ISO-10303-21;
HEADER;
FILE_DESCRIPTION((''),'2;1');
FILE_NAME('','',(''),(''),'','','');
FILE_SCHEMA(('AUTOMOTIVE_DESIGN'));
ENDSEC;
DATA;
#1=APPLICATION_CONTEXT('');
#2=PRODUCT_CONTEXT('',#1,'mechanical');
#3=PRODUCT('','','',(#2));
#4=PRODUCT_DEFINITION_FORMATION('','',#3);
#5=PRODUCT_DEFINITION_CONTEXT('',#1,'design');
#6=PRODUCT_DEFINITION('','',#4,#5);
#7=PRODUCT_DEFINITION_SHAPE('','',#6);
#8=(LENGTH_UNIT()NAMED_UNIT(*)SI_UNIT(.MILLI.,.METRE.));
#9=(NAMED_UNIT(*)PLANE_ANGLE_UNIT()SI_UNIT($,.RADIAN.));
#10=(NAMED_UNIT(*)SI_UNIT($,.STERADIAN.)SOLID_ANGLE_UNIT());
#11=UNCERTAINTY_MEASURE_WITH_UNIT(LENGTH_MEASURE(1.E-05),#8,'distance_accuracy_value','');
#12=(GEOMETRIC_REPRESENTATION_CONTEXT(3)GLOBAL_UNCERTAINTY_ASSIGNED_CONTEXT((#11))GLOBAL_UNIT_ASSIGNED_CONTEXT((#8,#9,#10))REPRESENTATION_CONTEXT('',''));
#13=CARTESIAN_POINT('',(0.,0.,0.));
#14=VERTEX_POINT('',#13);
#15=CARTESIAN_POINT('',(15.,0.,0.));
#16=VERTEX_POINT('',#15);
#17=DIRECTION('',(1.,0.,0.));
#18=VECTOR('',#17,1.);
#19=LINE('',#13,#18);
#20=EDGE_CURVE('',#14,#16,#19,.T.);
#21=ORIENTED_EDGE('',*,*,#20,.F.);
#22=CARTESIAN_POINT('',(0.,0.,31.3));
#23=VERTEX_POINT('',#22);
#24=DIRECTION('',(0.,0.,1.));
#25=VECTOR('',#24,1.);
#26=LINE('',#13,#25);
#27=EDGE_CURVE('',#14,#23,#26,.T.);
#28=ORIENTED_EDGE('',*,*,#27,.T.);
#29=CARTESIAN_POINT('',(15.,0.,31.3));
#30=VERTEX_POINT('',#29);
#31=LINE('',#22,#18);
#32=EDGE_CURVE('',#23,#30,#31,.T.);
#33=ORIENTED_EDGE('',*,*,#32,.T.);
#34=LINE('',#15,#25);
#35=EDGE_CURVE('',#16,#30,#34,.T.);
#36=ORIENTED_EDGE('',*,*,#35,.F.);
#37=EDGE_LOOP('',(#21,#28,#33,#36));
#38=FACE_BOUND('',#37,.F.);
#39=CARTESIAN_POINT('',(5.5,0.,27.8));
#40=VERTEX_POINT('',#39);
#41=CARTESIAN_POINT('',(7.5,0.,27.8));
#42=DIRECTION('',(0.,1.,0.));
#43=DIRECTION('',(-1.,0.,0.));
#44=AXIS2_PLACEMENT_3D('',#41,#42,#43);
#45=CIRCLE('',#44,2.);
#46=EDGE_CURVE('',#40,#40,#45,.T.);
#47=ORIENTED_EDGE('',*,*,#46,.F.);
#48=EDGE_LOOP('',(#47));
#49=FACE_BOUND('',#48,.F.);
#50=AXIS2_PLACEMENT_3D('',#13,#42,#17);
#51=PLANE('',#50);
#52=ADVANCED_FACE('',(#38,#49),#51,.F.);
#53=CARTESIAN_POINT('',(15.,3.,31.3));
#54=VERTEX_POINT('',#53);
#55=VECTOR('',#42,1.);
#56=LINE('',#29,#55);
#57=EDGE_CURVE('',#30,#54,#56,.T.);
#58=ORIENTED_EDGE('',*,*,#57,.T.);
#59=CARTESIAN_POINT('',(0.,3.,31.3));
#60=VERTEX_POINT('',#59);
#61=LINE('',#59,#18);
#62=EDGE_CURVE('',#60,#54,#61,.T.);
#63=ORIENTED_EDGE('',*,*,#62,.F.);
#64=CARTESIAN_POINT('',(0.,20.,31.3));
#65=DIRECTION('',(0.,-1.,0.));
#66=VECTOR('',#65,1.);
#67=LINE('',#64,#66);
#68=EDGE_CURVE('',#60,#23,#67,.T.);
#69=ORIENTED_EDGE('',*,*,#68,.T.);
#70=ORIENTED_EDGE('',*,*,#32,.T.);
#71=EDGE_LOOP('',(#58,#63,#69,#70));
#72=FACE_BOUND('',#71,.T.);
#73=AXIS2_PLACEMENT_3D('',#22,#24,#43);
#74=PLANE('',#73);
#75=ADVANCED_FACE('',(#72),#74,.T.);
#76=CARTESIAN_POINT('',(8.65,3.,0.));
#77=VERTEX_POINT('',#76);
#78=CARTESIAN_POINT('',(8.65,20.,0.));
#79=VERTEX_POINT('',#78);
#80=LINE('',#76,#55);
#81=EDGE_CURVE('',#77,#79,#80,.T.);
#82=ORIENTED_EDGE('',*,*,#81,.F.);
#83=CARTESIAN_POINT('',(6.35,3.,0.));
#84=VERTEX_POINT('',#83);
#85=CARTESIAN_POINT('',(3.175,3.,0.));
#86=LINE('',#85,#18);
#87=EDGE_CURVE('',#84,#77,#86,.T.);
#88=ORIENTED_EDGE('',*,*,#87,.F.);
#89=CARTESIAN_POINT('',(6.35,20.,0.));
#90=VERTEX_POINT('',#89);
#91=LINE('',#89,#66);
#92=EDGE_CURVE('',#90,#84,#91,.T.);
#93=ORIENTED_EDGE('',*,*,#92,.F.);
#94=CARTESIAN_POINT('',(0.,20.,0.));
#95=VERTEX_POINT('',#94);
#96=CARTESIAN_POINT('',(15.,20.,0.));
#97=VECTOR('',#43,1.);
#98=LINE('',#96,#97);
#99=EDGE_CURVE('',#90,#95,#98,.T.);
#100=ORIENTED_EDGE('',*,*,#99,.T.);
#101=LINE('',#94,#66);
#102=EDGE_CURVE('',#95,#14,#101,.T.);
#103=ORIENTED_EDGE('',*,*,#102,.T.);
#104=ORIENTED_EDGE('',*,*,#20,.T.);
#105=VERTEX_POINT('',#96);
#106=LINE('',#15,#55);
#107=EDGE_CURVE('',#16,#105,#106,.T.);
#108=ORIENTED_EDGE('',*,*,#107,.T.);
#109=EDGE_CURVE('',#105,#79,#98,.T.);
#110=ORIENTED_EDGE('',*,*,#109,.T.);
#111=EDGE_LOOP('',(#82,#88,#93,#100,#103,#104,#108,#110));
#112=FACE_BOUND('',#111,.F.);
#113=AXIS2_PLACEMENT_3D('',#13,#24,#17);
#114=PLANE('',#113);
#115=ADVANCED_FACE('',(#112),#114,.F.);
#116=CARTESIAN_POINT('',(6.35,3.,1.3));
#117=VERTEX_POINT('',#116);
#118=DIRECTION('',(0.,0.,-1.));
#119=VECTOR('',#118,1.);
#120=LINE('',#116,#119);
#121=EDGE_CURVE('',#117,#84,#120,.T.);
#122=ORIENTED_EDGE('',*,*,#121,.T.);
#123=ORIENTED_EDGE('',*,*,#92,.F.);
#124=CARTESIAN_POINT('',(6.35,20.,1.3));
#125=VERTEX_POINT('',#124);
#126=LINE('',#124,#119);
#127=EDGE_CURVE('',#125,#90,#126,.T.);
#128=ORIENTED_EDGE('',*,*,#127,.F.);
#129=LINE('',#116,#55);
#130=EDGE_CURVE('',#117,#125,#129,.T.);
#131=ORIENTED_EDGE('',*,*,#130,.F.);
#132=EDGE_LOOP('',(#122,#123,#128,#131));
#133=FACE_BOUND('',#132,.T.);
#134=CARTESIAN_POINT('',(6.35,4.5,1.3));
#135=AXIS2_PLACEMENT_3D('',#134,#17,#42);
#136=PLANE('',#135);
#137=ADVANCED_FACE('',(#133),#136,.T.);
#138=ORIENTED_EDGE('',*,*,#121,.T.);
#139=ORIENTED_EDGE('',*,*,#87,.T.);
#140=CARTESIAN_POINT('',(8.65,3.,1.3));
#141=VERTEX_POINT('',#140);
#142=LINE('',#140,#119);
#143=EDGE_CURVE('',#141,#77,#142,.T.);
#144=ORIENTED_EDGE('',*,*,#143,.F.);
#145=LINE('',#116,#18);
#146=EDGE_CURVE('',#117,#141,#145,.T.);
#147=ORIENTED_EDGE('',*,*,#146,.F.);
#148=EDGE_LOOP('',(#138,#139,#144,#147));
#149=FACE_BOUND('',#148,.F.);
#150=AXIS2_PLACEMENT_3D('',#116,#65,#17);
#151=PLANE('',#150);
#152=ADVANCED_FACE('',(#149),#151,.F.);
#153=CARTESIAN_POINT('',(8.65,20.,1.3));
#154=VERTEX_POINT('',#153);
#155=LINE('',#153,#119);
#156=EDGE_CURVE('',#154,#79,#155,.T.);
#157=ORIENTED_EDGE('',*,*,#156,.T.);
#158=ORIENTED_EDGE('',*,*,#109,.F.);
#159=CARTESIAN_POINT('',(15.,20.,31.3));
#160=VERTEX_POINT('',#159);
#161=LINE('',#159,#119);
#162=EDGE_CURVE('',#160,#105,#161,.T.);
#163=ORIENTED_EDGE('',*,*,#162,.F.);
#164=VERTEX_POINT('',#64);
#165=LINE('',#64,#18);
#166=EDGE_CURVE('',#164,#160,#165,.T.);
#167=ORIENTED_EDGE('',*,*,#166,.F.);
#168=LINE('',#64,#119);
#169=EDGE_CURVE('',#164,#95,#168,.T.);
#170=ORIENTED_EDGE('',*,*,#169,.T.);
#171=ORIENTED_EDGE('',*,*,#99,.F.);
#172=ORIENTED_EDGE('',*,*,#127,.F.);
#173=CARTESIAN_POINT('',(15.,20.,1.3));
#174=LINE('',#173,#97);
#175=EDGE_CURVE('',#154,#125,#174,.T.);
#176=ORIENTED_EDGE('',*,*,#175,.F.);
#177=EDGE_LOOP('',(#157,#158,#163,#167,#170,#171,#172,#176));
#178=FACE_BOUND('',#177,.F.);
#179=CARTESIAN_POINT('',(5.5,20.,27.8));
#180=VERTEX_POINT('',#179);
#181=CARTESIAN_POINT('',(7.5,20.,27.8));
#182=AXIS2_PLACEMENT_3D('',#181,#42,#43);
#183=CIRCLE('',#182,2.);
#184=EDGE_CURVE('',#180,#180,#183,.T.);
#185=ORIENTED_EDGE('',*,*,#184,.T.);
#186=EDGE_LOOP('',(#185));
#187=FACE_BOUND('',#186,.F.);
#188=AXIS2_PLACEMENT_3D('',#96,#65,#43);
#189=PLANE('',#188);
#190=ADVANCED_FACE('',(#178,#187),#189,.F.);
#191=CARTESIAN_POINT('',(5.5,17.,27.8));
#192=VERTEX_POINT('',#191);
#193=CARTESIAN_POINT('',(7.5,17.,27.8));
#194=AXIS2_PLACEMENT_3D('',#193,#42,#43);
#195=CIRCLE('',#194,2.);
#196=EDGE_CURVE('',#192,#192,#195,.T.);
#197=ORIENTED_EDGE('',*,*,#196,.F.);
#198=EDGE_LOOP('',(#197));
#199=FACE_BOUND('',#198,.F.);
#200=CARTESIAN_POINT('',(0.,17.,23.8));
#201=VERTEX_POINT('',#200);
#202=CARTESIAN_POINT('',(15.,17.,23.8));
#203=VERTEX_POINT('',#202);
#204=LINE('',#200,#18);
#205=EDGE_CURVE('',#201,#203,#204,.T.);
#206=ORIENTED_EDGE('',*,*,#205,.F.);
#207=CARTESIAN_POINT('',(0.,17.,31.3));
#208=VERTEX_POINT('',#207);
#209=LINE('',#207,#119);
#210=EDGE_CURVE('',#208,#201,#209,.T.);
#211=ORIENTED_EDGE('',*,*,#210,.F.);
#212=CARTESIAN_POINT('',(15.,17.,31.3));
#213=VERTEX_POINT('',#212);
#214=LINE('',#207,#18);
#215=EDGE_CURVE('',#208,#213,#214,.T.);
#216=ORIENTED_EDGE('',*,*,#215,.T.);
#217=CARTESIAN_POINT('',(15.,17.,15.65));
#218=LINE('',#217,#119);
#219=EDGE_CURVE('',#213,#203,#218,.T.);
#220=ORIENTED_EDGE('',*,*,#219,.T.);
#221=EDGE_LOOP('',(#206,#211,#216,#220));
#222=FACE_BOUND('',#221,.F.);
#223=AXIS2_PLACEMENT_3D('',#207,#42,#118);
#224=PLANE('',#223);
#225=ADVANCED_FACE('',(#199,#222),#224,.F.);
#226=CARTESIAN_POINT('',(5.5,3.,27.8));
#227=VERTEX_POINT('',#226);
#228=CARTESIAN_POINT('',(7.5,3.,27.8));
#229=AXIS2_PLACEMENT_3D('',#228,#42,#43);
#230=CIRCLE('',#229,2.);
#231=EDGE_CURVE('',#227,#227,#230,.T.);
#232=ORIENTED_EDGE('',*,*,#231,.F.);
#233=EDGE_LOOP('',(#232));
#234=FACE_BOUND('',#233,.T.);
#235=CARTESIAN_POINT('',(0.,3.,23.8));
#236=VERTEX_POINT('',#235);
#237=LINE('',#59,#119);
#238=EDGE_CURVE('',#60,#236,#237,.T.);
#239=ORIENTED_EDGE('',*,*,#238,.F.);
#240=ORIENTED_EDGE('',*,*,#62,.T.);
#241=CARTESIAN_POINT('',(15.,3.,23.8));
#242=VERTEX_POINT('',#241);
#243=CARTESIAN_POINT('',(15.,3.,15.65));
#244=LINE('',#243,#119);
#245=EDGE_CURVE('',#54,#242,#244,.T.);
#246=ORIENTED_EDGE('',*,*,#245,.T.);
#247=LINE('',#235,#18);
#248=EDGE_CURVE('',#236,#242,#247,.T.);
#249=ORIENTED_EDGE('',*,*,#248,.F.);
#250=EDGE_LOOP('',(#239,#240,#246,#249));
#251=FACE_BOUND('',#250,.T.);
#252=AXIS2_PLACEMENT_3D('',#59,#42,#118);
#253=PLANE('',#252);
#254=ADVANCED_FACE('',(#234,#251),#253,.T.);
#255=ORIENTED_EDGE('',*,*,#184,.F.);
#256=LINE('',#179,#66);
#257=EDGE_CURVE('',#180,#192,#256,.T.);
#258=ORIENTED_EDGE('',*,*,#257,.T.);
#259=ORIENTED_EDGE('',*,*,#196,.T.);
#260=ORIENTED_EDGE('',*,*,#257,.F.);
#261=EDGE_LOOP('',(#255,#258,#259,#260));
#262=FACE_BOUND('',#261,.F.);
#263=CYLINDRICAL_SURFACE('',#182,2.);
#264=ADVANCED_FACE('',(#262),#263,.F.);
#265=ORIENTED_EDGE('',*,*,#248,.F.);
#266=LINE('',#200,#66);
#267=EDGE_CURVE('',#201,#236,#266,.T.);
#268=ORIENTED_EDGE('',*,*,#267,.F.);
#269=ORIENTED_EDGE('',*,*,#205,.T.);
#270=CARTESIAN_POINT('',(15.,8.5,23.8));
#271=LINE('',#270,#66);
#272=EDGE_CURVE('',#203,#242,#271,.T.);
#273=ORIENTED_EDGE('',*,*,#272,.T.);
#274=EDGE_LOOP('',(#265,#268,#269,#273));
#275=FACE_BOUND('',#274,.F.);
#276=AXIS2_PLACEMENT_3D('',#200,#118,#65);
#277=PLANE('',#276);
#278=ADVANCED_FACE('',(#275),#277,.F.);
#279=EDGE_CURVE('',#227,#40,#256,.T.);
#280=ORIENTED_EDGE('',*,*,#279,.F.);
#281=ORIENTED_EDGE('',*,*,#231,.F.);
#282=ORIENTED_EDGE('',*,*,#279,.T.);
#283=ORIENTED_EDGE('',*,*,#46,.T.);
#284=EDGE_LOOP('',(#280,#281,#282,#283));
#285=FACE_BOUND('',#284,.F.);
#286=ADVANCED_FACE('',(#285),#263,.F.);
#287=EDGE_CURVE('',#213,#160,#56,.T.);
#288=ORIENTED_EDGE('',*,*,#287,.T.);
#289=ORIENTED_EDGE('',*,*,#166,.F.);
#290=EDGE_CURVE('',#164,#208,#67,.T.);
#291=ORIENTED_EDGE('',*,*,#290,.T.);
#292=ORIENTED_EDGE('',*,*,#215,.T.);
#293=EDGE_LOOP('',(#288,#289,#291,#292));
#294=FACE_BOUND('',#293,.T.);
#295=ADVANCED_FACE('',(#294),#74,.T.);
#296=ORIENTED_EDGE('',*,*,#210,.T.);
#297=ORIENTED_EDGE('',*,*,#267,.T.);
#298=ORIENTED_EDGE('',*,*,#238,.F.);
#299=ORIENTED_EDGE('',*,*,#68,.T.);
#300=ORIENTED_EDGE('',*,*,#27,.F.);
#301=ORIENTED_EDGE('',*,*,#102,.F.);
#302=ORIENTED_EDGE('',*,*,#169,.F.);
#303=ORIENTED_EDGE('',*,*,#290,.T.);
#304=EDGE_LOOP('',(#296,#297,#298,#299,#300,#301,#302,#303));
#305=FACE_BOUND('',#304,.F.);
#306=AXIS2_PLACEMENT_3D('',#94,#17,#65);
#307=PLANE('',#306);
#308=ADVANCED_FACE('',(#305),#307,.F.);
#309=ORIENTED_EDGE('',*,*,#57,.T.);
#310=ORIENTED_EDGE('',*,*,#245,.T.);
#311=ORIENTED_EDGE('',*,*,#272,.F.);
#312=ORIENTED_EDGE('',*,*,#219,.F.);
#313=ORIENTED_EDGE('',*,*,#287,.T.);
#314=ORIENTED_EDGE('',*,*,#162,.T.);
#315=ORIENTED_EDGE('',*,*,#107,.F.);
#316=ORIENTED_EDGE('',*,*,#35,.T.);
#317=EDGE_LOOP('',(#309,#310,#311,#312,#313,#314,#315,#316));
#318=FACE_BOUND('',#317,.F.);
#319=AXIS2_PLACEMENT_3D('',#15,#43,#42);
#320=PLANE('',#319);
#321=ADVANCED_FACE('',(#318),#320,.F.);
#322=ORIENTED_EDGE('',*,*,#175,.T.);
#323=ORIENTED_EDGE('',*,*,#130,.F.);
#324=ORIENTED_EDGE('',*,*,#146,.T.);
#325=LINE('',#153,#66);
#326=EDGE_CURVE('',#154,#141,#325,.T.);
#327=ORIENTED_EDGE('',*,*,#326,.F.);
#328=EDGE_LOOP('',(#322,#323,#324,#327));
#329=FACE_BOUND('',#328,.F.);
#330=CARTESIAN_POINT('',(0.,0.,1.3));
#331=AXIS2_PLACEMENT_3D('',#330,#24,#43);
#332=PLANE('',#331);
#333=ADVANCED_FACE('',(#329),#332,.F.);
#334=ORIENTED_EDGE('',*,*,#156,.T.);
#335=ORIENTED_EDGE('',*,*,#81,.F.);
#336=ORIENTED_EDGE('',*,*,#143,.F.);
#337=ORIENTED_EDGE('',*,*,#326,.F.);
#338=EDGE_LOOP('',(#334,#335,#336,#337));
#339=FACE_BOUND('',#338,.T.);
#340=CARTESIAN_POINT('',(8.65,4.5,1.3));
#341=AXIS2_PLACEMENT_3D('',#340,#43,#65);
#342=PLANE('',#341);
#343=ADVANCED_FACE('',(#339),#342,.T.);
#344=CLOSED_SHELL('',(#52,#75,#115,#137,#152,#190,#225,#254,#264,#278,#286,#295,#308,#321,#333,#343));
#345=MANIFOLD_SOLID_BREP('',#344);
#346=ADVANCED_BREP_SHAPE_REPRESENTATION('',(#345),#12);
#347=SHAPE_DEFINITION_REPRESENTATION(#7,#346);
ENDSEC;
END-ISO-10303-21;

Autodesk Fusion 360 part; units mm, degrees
sketch "Sketch1" plane through (0, 0, 0) normal (0, 0, 1) x (1, 0, 0)
  line L0 (0, 0) -> (15, 0)
  line L1 (15, 0) -> (15, 20)
  line L2 (15, 20) -> (0, 20)
  line L3 (0, 20) -> (0, 0)
  dimension "d1" = 15
  dimension "d2" = 20
extrude "Extrude1" add sketch "Sketch1" along normal blind 1.3
sketch "Sketch3" plane through (0, 0, 1.3) normal (0, 0, 1) x (-1, 0, 0)
  line L0 (0, -20) -> (0, 0)
  line L1 (0, 0) -> (-15, 0)
  line L2 (-15, 0) -> (-15, -20)
  line L3 (-15, -20) -> (0, -20)
  line L4 (-8.65, -4.5) -> (-8.65, -20)
  line L5 (-8.65, -20) -> (-7.5, -20)
  line L6 (-6.35, -4.5) -> (-6.35, -20)
  line L7 (-6.35, -20) -> (-7.5, -20)
  line L8 (-6.35, -3) -> (-8.65, -3)
  line L9 (-6.35, -4.5) -> (-6.35, -3)
  line L10 (-8.65, -4.5) -> (-8.65, -3)
  dimension "d14" = 3
extrude "Extrude2" cut sketch "Sketch3" against normal blind 6 contours L3 L4 L5 L6 L7 L8 L9 L10
sketch "Sketch4" plane through (0, 0, 1.3) normal (0, 0, 1) x (-1, 0, 0)
  line L0 (-6.35, -3) -> (-6.35, -20)
  line L1 (-6.35, -20) -> (0, -20)
  line L2 (0, -20) -> (0, 0)
  line L3 (0, 0) -> (-15, 0)
  line L4 (-15, 0) -> (-15, -20)
  line L5 (-15, -20) -> (-8.65, -20)
  line L6 (-8.65, -20) -> (-8.65, -3)
  line L7 (-8.65, -3) -> (-6.35, -3)
  line L8 (0, 0) -> (-15, 0)
  line L9 (-15, 0) -> (-15, -20)
  line L10 (-15, -20) -> (0, -20)
  line L11 (0, -20) -> (0, 0)
extrude "Extrude3" add sketch "Sketch4" along normal blind 30
sketch "Sketch5" plane through (0, 0, 0) normal (-1, 0, 0) x (0, -1, 0)
  line L0 (-20, 0) -> (0, 0)
  line L1 (0, 0) -> (0, 31.3)
  line L2 (0, 31.3) -> (-20, 31.3)
  line L3 (-20, 31.3) -> (-20, 0)
  line L4 (-10, 31.3) -> (-17, 31.3)
  line L5 (-10, 31.3) -> (-3, 31.3)
  line L6 (-17, 31.3) -> (-17, 23.8)
  line L7 (-3, 31.3) -> (-3, 23.8)
  line L8 (-17, 23.8) -> (-3, 23.8)
  dimension "d19" = 7
  dimension "d20" = 7
  dimension "d21" = 7.5
  dimension "d22" = 7.5
extrude "Extrude4" cut sketch "Sketch5" against normal blind 24 contours L2 L4 L5 L6 L7 L8
sketch "Sketch6" plane through (0, 20, 0) normal (0, 1, 0) x (-1, 0, 0)
  line L0 (-6.35, 1.3) -> (-6.35, 0)
  line L1 (-6.35, 0) -> (0, 0)
  line L2 (0, 0) -> (0, 31.3)
  line L3 (0, 31.3) -> (-15, 31.3)
  line L4 (-15, 31.3) -> (-15, 0)
  line L5 (-15, 0) -> (-8.65, 0)
  line L6 (-8.65, 0) -> (-8.65, 1.3)
  line L7 (-8.65, 1.3) -> (-6.35, 1.3)
  circle A0 centre (-7.5, 27.8) radius 2
  dimension "d26" = 4
extrude "Extrude5" cut sketch "Sketch6" against normal blind 22 contours A0
